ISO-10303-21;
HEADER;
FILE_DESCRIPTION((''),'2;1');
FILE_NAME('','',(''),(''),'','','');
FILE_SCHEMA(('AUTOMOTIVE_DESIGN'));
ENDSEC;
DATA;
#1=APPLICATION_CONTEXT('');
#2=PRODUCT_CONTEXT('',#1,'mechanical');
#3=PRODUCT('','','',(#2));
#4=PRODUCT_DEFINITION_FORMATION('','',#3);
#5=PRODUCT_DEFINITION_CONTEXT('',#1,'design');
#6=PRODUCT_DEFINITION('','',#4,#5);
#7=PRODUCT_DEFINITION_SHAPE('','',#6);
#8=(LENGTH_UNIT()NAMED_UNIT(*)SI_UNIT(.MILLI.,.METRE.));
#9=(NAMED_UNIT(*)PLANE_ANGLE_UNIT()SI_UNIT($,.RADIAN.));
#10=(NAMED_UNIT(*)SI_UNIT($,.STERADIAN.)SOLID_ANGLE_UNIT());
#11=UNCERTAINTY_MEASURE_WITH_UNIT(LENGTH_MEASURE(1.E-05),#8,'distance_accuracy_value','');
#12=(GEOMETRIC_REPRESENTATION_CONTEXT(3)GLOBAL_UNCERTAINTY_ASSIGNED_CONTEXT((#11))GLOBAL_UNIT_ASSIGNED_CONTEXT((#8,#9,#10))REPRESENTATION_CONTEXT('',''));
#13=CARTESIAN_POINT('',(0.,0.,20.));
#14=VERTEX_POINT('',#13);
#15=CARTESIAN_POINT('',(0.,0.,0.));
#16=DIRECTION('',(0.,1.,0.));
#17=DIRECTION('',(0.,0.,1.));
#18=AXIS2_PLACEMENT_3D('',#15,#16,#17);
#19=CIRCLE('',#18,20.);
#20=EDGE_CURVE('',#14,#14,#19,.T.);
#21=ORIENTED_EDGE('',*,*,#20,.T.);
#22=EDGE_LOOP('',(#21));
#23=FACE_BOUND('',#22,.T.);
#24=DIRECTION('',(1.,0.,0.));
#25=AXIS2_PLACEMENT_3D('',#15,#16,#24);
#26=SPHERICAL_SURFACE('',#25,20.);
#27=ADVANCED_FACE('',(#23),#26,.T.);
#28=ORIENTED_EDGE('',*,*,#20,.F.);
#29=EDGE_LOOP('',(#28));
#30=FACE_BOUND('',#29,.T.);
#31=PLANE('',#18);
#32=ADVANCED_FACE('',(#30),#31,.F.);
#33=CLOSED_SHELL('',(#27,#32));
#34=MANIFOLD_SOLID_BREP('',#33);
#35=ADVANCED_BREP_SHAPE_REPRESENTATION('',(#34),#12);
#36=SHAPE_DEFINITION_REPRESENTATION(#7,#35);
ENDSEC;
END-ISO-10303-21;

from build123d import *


with BuildPart() as part:
    # Sketch1 → Revolve1 (revolve)
    with BuildSketch(Plane.XY):
        with BuildLine():
            Line((0, 20), (0, 0))
            Line((0, 0), (20, 0))
            ThreePointArc((20, 0), (14.142135624, 14.142135624), (0, 20))
        make_face()
    revolve(axis=Axis((0, 20, 0), (0, -1, 0)))


solid = part.part
